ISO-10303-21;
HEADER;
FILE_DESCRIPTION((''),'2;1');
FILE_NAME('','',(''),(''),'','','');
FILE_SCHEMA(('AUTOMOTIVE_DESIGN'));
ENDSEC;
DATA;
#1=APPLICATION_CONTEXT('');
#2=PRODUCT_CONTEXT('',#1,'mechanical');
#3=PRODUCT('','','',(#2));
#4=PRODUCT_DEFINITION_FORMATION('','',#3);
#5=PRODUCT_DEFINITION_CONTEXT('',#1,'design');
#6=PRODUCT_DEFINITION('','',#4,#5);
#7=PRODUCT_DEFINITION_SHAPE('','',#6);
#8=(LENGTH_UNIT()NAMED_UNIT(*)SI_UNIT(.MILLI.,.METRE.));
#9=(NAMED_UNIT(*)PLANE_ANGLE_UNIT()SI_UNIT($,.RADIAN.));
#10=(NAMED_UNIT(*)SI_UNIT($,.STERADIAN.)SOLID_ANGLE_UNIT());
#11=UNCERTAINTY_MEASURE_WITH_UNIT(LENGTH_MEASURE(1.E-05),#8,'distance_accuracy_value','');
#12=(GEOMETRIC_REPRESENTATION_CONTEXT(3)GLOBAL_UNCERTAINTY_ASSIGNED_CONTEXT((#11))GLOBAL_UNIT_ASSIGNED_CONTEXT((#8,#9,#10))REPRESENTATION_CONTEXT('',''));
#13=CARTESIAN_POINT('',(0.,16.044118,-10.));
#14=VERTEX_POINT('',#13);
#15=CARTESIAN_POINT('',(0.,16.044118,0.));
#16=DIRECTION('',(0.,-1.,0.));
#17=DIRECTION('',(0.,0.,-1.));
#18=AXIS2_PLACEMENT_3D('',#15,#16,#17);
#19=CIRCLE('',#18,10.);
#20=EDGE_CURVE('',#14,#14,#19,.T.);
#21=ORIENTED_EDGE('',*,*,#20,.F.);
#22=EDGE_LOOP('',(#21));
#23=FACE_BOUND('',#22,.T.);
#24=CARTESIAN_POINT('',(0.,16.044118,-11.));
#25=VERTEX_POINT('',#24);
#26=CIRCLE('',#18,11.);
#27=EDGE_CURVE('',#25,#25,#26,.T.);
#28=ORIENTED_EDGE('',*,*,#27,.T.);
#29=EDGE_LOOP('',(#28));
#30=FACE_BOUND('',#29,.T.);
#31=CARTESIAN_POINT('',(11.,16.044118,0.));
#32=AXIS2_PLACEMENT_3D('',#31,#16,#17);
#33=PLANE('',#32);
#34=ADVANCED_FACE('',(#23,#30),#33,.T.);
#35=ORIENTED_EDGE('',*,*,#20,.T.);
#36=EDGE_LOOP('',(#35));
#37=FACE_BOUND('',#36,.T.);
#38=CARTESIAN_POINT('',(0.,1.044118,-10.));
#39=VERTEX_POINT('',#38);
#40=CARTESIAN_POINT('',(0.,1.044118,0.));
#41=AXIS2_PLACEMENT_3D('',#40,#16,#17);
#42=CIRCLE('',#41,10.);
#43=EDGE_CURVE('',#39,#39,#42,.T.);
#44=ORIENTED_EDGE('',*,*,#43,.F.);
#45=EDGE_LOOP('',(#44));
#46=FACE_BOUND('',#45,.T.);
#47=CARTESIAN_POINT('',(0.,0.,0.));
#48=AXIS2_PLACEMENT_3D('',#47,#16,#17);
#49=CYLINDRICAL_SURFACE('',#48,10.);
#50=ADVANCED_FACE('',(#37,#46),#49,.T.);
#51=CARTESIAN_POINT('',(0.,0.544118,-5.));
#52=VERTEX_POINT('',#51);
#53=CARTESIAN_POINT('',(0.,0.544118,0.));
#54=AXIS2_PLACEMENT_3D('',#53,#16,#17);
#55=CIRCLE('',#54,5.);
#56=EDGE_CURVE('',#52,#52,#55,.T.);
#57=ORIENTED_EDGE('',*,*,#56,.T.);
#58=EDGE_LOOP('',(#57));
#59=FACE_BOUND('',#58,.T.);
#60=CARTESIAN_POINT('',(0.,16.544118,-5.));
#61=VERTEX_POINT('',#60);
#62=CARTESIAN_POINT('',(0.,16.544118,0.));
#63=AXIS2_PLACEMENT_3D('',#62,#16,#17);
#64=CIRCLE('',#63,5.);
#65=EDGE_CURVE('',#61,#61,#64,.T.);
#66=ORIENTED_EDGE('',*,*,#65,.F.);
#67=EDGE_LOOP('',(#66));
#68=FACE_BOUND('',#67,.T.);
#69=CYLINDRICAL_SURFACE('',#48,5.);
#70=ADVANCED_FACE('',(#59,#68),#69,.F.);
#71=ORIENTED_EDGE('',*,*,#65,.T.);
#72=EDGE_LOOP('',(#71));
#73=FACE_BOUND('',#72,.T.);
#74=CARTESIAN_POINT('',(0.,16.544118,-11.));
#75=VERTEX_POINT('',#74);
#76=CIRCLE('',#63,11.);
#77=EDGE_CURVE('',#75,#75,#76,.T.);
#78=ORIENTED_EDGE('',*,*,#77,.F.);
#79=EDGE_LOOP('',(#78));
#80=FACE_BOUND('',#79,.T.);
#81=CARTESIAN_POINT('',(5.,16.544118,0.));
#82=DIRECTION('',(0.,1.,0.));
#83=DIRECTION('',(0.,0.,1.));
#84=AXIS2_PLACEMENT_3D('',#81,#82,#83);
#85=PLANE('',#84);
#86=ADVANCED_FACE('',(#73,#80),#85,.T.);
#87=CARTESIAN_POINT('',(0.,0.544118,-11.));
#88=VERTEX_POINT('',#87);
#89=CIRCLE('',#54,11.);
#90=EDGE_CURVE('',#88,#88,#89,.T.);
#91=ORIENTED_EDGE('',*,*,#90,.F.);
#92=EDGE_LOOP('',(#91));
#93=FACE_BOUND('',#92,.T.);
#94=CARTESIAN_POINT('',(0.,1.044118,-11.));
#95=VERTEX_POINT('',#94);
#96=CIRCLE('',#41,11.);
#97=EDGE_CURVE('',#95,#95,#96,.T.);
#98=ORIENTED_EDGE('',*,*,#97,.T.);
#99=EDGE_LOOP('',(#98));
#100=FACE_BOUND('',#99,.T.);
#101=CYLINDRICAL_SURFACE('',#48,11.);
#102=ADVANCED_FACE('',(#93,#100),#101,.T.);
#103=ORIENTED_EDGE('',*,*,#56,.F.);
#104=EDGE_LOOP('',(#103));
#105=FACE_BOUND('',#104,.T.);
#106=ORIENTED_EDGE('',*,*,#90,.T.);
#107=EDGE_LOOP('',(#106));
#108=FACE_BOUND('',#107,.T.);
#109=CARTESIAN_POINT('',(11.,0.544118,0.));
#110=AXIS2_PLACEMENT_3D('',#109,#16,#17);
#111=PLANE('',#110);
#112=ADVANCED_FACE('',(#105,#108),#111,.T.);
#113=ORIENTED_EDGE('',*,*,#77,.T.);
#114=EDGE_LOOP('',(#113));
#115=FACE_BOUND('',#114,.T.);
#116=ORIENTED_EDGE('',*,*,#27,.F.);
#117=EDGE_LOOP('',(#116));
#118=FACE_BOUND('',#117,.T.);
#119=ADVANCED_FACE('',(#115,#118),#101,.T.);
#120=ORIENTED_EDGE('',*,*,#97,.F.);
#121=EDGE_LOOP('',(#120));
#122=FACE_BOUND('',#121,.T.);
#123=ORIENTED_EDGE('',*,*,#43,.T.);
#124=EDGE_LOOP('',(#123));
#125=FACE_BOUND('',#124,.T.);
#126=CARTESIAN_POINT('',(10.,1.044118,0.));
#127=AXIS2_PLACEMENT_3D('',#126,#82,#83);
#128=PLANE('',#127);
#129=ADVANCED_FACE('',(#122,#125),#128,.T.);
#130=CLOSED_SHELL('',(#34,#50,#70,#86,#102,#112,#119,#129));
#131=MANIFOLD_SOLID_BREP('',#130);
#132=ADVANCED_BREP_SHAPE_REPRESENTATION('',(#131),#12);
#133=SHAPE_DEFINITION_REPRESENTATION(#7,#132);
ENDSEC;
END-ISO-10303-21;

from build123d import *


with BuildPart() as part:
    # Sketch1 → Revolve1 (revolve)
    with BuildSketch(Plane.XY):
        Polygon((5, 16.544117647), (11, 16.544117647), (11, 16.044117647), (10, 16.044117647), (10, 1.044117647), (11, 1.044117647), (11, 0.544117647), (5, 0.544117647), align=None)
    revolve(axis=Axis((0, 0, 0), (0, 1, 0)))


solid = part.part
